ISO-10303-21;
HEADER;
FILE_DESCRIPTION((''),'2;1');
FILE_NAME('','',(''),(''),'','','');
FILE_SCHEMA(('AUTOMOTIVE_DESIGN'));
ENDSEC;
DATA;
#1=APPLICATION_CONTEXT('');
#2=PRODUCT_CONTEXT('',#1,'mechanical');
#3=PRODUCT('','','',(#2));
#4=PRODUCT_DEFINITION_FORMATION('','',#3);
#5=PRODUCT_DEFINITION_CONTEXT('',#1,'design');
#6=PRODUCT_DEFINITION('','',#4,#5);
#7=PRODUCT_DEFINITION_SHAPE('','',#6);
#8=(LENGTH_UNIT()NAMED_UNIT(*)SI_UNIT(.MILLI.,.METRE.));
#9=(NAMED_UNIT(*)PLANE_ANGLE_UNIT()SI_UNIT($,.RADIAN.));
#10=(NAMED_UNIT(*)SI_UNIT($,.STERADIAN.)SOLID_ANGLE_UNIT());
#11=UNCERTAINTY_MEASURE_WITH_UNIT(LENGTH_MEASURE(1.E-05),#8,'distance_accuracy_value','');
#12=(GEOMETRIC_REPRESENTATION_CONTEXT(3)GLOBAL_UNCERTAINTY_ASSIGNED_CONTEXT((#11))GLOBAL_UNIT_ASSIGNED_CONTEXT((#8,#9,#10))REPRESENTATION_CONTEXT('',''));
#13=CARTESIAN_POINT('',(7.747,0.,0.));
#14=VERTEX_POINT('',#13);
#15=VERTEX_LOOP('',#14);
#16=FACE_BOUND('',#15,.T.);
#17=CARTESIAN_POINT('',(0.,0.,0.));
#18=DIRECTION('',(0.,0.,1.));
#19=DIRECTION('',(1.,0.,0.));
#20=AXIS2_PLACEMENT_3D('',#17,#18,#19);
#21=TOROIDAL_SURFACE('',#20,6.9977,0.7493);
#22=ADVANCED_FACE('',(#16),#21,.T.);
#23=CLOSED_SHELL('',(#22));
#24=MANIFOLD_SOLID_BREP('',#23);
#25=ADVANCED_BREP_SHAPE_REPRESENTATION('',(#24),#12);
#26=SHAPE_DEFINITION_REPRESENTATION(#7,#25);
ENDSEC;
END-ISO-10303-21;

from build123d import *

# Parameters (mm, degrees)
SKETCH1_R = 0.7493


with BuildPart() as part:
    # Sketch1 → Revolve1 (revolve)
    with BuildSketch(Plane(origin=(0, 0, 0), x_dir=(0, 0, -1), z_dir=(1, 0, 0))):
        with Locations((0, 6.9977)):
            Circle(SKETCH1_R)
    revolve(axis=Axis((0, 0, -0.7493), (0, 0, 1)))


solid = part.part
